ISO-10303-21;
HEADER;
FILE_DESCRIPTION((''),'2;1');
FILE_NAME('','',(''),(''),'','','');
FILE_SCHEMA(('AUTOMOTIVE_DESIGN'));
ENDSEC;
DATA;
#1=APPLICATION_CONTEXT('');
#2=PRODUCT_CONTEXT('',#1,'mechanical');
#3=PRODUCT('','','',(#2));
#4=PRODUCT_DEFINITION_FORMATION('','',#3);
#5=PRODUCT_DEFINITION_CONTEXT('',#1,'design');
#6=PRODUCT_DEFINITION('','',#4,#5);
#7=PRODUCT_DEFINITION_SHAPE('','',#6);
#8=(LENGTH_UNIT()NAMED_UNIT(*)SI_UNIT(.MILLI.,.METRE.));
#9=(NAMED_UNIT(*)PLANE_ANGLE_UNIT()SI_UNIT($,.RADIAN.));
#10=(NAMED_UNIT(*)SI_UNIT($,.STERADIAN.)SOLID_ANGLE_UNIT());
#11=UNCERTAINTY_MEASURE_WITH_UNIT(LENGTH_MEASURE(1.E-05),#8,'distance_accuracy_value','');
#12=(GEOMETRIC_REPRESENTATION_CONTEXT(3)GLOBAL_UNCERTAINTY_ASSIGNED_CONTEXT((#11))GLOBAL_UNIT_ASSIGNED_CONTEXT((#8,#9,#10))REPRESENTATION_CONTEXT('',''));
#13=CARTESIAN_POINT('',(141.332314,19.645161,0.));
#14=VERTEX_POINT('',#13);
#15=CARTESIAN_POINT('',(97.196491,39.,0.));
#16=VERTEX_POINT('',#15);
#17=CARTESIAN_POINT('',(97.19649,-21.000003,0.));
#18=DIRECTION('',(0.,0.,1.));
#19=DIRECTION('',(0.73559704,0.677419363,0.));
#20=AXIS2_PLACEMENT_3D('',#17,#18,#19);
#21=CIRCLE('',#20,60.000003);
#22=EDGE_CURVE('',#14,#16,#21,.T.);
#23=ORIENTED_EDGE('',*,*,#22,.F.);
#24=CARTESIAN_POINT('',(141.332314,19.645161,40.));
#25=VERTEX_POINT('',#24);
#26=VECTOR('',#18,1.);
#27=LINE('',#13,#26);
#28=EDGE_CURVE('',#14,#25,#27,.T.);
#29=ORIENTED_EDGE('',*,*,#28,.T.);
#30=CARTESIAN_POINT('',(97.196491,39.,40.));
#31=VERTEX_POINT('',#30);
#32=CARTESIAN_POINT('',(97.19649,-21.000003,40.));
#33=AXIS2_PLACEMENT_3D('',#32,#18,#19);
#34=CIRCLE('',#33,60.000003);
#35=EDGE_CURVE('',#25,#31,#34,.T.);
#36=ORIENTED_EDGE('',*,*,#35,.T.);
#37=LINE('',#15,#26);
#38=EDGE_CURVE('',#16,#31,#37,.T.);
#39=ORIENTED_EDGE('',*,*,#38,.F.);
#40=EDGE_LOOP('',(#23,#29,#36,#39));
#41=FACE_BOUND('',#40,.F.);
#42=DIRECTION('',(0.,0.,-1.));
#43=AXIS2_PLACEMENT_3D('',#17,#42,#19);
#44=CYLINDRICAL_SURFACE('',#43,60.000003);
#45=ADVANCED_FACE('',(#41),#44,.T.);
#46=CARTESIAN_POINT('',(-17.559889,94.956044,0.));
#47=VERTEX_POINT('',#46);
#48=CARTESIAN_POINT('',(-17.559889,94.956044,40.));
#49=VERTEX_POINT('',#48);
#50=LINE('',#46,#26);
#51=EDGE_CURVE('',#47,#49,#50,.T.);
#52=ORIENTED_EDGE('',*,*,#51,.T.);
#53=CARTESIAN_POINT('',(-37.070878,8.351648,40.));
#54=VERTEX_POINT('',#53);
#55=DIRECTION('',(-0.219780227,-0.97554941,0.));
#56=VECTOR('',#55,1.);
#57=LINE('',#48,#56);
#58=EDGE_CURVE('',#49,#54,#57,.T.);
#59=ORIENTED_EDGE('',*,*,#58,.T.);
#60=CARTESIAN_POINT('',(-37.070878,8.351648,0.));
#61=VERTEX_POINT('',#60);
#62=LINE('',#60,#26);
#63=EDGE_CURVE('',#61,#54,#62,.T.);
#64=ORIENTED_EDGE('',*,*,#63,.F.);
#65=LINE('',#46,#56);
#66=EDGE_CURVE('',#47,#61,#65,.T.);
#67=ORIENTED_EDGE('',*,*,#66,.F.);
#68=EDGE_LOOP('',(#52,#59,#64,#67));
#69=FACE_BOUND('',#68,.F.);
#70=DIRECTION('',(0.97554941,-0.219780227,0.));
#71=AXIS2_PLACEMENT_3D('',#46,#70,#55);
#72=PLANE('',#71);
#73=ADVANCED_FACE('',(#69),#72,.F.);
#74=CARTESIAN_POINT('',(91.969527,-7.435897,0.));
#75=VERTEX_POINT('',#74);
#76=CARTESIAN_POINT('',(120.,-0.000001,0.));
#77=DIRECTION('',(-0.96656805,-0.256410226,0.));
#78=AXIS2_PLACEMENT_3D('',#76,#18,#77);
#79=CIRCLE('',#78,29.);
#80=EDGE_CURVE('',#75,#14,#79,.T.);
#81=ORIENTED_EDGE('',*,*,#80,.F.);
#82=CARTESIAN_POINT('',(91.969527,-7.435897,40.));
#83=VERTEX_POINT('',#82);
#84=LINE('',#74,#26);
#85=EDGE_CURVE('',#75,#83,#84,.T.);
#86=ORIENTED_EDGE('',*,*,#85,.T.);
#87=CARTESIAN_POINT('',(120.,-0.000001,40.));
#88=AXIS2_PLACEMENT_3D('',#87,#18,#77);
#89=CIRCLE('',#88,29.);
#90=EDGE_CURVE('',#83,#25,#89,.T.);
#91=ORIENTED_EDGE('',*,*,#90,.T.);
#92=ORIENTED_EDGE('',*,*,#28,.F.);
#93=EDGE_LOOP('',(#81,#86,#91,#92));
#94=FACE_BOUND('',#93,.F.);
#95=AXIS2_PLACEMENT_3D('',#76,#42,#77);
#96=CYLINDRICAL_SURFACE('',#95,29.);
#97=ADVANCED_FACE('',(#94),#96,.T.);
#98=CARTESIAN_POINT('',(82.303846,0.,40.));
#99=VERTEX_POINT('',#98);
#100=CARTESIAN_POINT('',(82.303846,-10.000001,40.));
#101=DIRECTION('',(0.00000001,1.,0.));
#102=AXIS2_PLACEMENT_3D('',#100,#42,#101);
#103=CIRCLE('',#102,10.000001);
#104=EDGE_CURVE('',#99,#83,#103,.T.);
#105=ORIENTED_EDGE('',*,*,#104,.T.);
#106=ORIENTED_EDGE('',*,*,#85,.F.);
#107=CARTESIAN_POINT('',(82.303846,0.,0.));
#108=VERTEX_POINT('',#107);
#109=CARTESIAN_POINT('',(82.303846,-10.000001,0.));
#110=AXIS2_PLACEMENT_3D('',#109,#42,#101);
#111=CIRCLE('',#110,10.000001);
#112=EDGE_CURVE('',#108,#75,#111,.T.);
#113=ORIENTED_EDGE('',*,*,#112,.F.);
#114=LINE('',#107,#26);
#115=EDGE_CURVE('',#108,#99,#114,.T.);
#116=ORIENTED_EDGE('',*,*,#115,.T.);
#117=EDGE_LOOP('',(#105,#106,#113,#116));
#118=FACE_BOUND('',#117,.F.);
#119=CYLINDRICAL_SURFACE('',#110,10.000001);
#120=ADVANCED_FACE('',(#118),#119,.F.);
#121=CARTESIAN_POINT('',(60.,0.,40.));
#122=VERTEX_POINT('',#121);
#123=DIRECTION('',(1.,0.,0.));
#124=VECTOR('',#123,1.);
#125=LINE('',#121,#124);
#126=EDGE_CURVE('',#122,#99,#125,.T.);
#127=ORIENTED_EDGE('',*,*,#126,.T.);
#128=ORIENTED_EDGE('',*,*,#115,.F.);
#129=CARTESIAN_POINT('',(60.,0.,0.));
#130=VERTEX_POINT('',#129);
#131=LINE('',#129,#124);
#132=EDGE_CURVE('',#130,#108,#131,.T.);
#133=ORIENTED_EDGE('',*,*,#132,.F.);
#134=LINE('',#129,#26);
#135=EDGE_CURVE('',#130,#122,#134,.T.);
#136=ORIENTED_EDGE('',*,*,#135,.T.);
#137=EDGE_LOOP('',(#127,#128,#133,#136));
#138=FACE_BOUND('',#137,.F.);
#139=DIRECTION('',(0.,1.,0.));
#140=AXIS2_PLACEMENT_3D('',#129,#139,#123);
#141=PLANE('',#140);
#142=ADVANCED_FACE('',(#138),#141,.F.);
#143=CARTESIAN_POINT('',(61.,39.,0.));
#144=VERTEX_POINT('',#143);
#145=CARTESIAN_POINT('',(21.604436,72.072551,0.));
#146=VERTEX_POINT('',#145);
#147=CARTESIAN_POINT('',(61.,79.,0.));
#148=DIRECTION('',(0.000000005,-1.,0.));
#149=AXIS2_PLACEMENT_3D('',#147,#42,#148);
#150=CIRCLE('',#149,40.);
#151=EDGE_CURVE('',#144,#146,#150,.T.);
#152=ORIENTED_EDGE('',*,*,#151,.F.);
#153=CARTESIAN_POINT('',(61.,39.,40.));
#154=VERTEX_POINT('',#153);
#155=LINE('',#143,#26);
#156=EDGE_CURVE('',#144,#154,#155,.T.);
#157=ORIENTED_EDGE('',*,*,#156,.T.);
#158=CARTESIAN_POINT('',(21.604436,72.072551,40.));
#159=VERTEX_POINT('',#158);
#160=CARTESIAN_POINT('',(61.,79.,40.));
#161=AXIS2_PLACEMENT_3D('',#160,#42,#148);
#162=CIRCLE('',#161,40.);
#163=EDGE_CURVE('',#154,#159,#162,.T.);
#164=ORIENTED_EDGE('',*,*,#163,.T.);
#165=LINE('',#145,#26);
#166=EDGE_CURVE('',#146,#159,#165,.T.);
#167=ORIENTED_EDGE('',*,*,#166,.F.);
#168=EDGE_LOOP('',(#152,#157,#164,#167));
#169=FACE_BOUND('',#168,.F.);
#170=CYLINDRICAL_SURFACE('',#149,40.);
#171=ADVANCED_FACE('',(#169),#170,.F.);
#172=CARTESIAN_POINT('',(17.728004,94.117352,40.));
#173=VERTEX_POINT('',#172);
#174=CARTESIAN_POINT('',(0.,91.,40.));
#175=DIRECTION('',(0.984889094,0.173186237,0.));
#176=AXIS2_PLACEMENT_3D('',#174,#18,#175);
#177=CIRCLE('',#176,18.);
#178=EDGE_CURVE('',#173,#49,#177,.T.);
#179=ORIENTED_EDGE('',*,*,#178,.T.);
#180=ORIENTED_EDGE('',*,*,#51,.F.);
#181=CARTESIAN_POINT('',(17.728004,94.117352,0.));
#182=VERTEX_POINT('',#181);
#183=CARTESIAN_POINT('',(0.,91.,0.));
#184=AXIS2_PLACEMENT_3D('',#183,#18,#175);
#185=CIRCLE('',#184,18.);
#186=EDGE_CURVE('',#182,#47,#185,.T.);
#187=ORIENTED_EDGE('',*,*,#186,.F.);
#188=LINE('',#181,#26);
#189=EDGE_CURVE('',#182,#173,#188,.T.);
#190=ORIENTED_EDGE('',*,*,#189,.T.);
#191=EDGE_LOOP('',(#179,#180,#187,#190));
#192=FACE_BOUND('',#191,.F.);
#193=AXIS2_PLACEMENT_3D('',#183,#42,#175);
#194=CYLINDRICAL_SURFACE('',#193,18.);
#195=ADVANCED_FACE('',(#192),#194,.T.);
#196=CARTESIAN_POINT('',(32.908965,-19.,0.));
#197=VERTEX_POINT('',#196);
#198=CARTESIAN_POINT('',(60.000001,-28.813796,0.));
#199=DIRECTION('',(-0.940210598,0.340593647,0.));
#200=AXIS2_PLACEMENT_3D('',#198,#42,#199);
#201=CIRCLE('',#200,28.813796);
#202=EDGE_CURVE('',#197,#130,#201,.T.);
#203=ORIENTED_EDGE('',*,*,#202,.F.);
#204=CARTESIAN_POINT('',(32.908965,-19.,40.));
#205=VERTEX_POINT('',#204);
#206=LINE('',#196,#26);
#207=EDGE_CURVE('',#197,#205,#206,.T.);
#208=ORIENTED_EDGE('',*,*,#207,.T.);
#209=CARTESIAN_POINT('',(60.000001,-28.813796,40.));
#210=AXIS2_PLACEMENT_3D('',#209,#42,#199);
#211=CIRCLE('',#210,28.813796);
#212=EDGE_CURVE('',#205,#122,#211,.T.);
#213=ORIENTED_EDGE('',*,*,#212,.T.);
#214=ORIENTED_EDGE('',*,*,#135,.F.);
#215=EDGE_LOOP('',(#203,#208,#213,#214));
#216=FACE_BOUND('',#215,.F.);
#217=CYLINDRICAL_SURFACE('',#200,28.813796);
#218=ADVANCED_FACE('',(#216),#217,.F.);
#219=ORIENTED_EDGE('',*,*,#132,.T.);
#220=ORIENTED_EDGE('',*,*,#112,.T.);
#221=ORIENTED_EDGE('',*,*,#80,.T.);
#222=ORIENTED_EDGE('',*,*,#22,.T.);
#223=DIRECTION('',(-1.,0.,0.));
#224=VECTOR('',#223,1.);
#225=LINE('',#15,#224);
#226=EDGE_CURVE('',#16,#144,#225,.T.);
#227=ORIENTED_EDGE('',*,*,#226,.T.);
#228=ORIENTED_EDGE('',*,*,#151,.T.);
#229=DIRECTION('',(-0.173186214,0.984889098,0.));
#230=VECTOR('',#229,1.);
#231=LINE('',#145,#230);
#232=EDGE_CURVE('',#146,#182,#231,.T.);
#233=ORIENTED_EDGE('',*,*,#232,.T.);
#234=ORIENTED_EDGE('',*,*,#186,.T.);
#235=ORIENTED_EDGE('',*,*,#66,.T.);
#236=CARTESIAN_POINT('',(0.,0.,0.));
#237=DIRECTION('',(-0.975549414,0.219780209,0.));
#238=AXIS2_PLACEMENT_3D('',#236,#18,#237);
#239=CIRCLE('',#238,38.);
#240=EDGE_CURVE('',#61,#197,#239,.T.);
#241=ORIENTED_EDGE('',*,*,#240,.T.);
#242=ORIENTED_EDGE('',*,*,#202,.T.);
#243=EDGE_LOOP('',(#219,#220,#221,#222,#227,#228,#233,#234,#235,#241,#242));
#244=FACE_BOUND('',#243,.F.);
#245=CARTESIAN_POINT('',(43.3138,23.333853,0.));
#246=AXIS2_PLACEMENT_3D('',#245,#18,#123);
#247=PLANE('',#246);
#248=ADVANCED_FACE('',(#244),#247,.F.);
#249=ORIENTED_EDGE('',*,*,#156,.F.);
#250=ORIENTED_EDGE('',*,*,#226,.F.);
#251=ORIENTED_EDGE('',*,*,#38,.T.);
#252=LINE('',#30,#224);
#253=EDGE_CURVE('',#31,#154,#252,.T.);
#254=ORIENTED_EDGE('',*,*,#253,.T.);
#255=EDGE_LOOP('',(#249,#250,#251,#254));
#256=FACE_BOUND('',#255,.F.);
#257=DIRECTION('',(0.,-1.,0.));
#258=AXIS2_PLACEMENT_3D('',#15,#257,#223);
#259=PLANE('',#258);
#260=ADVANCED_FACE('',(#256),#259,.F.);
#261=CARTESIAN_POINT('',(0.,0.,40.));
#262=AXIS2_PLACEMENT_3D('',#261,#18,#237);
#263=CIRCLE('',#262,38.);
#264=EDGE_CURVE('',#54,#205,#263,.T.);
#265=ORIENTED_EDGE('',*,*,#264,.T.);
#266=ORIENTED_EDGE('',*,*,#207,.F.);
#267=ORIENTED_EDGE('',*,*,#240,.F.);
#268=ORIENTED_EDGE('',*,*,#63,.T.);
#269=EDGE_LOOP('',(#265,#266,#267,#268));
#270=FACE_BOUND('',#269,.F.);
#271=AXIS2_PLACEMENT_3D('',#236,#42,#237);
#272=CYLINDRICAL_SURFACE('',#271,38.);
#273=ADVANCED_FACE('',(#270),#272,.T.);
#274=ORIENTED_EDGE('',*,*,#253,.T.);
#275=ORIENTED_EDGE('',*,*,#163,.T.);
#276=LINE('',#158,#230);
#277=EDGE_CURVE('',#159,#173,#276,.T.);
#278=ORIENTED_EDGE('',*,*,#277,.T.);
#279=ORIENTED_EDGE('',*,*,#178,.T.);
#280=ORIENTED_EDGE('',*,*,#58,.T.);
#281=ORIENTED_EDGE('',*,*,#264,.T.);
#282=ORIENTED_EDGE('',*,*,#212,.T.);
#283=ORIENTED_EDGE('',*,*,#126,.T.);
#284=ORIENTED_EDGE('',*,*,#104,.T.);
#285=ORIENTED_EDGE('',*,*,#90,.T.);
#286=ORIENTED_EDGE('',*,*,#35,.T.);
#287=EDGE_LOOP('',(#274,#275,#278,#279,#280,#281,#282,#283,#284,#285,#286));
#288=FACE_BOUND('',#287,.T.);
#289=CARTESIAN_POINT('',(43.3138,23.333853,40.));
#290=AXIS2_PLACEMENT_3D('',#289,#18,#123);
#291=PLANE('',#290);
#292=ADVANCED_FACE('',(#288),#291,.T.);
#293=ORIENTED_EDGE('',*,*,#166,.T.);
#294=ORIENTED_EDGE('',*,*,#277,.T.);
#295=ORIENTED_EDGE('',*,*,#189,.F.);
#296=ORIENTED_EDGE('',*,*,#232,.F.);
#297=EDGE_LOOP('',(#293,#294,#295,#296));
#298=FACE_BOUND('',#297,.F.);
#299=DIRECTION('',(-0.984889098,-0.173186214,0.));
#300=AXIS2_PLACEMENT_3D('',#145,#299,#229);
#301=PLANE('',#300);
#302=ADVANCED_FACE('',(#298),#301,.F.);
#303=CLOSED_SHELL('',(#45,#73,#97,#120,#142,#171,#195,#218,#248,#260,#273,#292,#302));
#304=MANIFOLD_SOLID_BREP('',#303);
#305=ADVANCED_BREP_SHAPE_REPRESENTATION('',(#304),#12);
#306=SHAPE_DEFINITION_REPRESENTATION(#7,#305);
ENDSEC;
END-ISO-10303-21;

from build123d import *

# Parameters (mm, degrees)
F1_DEPTH = 40


with BuildPart() as f1:
    # F0 (on Top) → F1 (new body)
    with BuildSketch(Plane.XY):
        with BuildLine():
            Line((-17.559889, 94.956044), (-37.070878, 8.351648))
            ThreePointArc((-37.070878, 8.351648), (-13.833241, -35.392675), (32.908965, -19))
            ThreePointArc((32.908965, -19), (43.455181, -5.223464), (60, 0))
            Line((60, 0), (82.303846, 0))
            ThreePointArc((82.303846, 0), (88.401345, -2.074061), (91.969527, -7.435897))
            ThreePointArc((91.969527, -7.435897), (133.948558, -25.42514), (141.332314, 19.645161))
            ThreePointArc((141.332314, 19.645161), (121.293071, 33.948656), (97.196491, 39))
            Line((97.196491, 39), (61, 39))
            ThreePointArc((61, 39), (35.28131, 48.364253), (21.604436, 72.072551))
            Line((21.604436, 72.072551), (17.728004, 94.117352))
            ThreePointArc((17.728004, 94.117352), (0.427687, 108.994918), (-17.559889, 94.956044))
        make_face()
    extrude(amount=F1_DEPTH)


solid = f1.part
